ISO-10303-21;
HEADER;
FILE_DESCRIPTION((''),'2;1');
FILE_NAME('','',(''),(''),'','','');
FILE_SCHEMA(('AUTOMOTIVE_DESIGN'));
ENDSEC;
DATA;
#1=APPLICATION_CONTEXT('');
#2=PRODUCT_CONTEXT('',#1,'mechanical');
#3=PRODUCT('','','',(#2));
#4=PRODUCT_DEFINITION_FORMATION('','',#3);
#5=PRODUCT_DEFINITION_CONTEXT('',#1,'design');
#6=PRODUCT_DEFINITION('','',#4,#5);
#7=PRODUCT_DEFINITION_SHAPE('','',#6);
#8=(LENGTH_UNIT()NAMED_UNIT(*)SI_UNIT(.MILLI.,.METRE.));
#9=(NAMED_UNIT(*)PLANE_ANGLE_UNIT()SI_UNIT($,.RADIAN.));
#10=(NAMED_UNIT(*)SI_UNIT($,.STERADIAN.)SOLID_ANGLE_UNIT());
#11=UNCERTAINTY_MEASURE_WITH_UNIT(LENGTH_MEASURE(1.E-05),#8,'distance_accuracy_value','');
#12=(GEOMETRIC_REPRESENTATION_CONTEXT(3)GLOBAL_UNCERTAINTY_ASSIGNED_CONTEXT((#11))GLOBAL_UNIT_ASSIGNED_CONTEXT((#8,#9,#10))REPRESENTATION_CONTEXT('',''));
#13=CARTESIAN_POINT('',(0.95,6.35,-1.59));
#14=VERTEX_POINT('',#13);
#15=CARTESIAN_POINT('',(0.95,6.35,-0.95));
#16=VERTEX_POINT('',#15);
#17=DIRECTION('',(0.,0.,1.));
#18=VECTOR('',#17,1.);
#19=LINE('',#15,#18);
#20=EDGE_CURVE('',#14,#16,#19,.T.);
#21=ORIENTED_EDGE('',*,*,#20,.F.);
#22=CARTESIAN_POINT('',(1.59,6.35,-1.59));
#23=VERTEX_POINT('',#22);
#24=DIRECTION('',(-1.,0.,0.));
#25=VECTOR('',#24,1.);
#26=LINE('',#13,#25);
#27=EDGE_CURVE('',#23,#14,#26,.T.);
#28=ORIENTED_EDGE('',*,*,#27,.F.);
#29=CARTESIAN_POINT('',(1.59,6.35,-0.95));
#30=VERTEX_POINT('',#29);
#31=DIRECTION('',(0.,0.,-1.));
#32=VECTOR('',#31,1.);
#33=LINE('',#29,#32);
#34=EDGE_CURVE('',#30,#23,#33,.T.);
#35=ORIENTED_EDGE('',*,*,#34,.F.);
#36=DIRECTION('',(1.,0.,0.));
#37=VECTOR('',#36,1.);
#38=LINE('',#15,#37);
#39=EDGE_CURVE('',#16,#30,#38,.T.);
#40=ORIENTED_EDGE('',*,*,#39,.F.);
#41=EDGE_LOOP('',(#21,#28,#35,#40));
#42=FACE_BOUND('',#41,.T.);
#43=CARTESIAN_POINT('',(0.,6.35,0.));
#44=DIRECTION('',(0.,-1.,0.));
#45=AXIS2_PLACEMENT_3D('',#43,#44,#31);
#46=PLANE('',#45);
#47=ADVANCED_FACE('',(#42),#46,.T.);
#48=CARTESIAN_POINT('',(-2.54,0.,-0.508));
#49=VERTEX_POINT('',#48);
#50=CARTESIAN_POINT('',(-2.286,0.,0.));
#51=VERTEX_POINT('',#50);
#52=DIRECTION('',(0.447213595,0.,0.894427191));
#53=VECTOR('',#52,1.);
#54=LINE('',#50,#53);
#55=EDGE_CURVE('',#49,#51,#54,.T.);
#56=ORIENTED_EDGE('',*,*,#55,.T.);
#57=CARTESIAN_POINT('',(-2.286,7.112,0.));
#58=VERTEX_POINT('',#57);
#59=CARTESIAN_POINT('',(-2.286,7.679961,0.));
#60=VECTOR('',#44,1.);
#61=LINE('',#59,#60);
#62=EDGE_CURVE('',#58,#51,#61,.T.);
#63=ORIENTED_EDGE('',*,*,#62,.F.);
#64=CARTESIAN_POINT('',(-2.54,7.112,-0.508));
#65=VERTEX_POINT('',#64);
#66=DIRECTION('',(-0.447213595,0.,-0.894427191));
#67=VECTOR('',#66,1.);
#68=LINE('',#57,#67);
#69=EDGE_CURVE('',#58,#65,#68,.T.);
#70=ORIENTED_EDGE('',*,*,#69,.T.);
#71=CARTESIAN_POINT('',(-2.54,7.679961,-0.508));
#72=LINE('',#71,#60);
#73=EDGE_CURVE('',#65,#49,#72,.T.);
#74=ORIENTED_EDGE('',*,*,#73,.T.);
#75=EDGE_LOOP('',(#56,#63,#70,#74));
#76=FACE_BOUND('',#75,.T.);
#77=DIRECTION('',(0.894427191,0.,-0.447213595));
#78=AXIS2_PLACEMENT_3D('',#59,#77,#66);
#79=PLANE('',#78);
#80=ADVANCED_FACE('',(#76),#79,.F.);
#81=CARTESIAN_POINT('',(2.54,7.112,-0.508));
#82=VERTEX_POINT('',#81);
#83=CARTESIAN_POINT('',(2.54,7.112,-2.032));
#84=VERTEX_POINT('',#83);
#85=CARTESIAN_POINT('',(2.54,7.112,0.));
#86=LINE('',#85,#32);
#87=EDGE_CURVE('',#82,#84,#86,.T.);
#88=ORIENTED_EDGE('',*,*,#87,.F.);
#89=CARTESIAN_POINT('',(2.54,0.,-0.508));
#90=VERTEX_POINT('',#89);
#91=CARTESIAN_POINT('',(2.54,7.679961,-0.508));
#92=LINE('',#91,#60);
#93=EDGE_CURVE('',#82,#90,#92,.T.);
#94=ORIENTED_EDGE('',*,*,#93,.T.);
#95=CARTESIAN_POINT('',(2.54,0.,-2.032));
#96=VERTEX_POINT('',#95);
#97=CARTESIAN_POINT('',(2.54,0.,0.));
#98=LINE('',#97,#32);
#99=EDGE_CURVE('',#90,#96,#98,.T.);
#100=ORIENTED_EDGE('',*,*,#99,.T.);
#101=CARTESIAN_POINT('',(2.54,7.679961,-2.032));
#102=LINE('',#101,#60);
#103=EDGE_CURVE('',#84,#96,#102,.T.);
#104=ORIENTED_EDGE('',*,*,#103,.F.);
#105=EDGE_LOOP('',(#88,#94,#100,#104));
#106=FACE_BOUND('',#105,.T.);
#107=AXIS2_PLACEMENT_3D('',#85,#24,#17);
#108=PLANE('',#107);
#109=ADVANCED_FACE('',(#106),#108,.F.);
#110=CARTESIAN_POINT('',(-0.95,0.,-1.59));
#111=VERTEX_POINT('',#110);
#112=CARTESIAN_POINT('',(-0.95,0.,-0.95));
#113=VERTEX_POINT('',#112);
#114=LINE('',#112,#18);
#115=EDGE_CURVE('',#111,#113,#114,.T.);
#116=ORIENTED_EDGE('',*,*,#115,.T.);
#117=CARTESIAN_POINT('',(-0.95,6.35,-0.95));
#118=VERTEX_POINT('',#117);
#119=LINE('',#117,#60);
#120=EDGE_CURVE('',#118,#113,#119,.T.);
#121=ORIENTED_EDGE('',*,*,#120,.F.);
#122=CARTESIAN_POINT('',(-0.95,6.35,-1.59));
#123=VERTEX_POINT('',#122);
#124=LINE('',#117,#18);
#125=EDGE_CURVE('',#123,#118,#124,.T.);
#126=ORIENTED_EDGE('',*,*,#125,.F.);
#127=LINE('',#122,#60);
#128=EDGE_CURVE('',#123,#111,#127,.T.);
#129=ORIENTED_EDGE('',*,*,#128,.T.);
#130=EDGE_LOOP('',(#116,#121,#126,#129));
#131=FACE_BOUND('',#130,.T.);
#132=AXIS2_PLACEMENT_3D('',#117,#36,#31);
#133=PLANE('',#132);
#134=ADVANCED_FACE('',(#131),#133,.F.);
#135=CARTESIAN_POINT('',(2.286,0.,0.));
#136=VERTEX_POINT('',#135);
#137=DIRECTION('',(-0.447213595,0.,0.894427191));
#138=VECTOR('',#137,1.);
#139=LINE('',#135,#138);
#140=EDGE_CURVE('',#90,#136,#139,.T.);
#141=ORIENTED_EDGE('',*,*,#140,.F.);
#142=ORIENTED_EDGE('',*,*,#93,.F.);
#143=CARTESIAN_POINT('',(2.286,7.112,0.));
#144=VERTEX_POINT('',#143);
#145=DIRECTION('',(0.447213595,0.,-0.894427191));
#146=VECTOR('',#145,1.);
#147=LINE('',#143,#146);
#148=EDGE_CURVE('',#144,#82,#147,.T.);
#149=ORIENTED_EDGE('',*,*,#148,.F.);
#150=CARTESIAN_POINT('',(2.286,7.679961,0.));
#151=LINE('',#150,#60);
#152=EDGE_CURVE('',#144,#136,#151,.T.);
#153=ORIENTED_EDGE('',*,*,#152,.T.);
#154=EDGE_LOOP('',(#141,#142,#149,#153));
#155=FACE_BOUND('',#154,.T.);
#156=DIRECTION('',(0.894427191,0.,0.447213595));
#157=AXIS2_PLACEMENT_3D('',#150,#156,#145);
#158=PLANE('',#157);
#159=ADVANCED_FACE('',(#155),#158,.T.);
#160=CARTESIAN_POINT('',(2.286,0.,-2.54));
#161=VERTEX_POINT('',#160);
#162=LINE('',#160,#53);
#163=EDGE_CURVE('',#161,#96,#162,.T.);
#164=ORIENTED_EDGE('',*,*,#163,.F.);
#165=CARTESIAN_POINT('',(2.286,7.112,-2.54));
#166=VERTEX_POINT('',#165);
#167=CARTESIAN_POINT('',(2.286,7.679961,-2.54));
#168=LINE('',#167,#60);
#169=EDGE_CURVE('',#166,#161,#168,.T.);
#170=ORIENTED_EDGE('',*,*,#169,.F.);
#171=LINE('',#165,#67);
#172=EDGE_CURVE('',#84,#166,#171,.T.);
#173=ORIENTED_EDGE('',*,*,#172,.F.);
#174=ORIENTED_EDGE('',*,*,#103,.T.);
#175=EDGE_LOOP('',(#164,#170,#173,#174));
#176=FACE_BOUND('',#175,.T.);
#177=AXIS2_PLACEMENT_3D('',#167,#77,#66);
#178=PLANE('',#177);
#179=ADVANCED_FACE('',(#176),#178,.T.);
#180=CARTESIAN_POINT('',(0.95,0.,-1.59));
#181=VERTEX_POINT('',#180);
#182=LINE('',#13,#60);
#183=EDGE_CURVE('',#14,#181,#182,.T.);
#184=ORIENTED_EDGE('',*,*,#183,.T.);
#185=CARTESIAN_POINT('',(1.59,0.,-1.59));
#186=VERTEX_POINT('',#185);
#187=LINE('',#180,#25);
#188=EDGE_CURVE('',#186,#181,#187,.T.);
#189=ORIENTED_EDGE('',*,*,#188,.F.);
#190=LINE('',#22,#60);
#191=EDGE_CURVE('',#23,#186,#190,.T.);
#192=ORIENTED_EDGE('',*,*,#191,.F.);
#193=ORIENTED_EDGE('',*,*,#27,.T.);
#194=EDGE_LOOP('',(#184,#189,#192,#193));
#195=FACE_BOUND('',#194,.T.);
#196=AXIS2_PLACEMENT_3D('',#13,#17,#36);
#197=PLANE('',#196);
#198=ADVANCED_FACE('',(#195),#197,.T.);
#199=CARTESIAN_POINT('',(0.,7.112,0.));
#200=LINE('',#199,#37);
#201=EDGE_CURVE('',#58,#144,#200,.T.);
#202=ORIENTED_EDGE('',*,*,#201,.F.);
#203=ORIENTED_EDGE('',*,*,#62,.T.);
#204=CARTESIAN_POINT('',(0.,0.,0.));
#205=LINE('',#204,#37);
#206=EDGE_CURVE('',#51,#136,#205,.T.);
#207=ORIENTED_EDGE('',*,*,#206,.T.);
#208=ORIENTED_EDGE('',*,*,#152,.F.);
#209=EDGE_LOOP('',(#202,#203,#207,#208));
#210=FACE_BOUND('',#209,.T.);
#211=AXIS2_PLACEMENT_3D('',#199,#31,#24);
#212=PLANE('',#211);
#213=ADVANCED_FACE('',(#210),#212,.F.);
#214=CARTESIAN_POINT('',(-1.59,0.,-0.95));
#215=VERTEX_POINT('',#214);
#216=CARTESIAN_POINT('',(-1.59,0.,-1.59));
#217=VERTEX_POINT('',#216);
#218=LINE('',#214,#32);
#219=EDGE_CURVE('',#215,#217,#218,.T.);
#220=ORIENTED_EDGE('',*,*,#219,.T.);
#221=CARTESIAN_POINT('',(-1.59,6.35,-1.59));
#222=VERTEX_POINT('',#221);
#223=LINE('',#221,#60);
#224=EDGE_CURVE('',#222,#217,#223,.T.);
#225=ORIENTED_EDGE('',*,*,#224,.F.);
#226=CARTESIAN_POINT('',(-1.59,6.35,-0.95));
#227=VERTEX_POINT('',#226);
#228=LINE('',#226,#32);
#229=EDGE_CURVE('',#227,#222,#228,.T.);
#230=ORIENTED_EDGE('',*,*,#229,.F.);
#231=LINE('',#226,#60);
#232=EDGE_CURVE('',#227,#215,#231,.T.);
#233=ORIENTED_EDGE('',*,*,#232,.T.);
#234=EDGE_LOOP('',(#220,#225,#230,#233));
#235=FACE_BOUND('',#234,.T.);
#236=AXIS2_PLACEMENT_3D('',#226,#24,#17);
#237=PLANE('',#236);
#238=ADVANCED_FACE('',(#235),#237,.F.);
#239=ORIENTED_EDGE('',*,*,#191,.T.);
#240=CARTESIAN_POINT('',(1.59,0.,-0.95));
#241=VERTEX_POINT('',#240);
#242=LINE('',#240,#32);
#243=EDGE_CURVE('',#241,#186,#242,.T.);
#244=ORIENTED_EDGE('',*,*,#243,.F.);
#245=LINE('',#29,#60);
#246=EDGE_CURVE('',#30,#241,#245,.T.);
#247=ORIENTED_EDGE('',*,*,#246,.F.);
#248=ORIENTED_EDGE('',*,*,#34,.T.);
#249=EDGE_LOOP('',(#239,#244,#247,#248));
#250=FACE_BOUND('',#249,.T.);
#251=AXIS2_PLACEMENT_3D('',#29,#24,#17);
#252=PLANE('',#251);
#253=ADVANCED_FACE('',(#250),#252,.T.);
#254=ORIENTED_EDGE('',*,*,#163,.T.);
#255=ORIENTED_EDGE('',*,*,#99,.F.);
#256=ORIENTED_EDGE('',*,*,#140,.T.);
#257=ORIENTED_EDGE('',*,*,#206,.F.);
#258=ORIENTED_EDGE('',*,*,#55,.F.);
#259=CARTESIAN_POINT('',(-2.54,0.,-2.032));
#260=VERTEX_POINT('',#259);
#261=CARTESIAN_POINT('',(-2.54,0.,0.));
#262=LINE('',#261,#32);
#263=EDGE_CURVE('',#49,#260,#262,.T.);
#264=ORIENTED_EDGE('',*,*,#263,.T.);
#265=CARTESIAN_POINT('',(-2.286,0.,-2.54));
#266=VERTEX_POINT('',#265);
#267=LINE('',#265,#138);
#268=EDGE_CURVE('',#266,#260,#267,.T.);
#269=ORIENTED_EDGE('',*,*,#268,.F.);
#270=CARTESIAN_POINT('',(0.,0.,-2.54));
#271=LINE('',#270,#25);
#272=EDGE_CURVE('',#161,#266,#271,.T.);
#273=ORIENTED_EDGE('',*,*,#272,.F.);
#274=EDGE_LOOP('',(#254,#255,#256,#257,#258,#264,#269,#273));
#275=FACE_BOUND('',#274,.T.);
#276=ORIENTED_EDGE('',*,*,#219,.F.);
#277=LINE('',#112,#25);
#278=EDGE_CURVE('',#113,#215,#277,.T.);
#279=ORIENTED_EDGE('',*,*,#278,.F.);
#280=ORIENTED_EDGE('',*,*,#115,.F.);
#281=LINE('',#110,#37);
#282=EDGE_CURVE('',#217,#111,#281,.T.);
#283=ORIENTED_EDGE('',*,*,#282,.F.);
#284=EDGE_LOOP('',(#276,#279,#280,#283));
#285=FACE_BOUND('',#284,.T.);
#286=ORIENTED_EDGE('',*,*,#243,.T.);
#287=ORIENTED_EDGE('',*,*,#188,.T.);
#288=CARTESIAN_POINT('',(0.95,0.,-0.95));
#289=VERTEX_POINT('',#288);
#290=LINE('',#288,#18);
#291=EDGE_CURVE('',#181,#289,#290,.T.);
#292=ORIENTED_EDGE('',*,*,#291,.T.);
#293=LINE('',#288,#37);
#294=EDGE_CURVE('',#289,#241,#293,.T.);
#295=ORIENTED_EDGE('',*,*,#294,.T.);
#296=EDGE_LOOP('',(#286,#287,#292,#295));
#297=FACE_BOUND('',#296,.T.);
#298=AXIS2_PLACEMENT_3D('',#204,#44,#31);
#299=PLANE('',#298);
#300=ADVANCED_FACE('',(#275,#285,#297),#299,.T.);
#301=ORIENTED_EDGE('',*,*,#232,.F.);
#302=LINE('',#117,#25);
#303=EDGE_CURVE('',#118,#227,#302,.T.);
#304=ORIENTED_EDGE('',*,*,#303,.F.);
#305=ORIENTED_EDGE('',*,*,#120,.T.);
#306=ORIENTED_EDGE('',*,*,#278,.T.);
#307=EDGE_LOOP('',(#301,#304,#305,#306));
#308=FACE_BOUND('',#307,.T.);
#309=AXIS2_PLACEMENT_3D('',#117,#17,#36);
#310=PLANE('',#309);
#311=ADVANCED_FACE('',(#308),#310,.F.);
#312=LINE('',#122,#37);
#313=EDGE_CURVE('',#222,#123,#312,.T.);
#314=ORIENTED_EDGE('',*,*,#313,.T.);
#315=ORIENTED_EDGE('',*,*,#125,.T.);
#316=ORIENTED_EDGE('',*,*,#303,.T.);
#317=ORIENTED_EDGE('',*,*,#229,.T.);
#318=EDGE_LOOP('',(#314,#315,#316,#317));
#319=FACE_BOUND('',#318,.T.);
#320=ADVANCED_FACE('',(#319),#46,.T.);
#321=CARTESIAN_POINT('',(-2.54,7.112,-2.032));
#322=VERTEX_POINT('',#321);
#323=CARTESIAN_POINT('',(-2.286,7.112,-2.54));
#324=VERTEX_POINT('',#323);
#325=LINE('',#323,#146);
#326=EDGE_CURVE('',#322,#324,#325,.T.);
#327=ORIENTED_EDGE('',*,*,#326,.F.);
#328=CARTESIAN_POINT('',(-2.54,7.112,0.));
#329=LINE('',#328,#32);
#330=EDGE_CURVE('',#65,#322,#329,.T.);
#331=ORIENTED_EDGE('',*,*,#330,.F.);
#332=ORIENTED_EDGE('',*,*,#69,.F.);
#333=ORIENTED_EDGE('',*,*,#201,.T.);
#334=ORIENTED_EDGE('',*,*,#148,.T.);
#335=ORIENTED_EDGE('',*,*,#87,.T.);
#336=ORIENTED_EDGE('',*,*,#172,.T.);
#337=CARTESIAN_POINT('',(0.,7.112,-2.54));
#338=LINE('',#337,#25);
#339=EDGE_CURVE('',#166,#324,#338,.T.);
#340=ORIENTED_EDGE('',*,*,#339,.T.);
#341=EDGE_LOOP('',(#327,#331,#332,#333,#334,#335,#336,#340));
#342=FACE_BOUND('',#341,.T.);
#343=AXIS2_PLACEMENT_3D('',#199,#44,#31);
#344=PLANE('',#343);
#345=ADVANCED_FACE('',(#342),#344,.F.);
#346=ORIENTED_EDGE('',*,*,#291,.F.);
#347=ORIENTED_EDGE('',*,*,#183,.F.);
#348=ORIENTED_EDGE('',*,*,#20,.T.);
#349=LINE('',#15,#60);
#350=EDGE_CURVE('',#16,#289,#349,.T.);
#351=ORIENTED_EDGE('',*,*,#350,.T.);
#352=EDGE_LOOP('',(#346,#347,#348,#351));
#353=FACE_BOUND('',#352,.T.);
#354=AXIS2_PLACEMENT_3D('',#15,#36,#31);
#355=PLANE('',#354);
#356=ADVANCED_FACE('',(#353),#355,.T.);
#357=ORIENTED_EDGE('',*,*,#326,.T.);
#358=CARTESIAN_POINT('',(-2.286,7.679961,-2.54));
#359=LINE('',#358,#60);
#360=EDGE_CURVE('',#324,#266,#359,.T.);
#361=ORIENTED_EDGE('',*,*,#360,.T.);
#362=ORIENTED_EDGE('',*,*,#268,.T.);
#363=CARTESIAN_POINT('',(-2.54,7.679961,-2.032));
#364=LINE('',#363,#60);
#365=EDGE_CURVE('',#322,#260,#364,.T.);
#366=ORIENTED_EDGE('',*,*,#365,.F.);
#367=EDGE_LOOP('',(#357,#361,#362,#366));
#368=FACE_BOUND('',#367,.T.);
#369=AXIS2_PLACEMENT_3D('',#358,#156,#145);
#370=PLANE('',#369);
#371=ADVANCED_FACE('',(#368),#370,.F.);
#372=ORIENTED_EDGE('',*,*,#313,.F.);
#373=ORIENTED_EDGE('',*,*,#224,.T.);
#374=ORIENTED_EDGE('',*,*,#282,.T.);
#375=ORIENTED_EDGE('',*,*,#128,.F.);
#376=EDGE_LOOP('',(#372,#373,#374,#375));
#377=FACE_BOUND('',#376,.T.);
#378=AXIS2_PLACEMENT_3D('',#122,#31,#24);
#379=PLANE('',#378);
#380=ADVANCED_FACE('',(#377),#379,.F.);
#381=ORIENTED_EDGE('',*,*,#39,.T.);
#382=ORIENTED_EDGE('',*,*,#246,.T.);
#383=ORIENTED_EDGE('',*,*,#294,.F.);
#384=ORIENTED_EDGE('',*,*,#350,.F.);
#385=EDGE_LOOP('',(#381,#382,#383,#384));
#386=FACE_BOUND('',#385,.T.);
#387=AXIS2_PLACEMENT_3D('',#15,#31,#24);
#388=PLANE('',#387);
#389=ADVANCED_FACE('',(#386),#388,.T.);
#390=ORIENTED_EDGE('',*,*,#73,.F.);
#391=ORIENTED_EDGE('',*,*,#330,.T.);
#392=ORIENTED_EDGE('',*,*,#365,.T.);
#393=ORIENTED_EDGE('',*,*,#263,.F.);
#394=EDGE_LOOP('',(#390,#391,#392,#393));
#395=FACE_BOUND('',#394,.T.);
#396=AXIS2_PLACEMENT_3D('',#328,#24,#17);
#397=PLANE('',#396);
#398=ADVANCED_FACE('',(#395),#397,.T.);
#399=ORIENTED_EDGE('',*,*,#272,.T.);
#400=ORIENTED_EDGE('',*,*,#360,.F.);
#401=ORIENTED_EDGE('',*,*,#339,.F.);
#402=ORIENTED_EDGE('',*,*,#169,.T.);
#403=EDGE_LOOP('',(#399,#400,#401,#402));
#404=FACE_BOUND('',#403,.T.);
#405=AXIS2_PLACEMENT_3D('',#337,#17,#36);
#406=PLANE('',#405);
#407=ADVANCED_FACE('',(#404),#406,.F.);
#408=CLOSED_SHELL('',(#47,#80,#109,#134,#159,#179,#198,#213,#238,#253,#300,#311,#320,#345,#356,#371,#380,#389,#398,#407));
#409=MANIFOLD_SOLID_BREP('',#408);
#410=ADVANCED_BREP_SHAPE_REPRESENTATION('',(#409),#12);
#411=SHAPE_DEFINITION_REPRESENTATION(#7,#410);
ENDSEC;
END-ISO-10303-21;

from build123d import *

# Parameters (mm, degrees)
SKETCH1_W           = 2.54
SKETCH1_H           = 2.54
MAIN_BODY_DEPTH     = 7.112
CUT_EXTRUDE_3_DEPTH = 7.112
SKETCH2_W           = 0.64
SKETCH2_H           = 0.64
CUT_EXTRUDE_4_DEPTH = 6.35


with BuildPart() as part:
    # Sketch1 → Main Body (new body)
    with BuildSketch(Plane(origin=(0, 0, 0), x_dir=(1, 0, 0), z_dir=(0, 1, 0))):
        with Locations((1.27, 1.27)):
            Rectangle(SKETCH1_W, SKETCH1_H)
    main_body = extrude(amount=MAIN_BODY_DEPTH)

    # Sketch4 → Вырез-Вытянуть3 (cut)
    with BuildSketch(Plane(origin=(0, 0, 0), x_dir=(1, 0, 0), z_dir=(0, 1, 0))):
        Polygon((2.54, 2.54), (2.286, 2.54), (2.54, 2.032), align=None)
        Polygon((2.54, 0), (2.286, 0), (2.54, 0.508), align=None)
    cut_extrude_3 = extrude(amount=CUT_EXTRUDE_3_DEPTH, mode=Mode.SUBTRACT)

    # Sketch2 → Вырез-Вытянуть4 (cut)
    with BuildSketch(Plane(origin=(0, 0, 0), x_dir=(1, 0, 0), z_dir=(0, 1, 0))):
        with Locations((1.27, 1.27)):
            Rectangle(SKETCH2_W, SKETCH2_H)
    cut_extrude_4 = extrude(amount=CUT_EXTRUDE_4_DEPTH, mode=Mode.SUBTRACT)

    # Зеркальное отражение1: Main Body, Вырез-Вытянуть3, Вырез-Вытянуть4 across Right Plane
    add(main_body.mirror(Plane(origin=(0, 0, 0), x_dir=(0, 0, -1), z_dir=(1, 0, 0))))
    add(cut_extrude_3.mirror(Plane(origin=(0, 0, 0), x_dir=(0, 0, -1), z_dir=(1, 0, 0))), mode=Mode.SUBTRACT)
    add(cut_extrude_4.mirror(Plane(origin=(0, 0, 0), x_dir=(0, 0, -1), z_dir=(1, 0, 0))), mode=Mode.SUBTRACT)


solid = part.part
